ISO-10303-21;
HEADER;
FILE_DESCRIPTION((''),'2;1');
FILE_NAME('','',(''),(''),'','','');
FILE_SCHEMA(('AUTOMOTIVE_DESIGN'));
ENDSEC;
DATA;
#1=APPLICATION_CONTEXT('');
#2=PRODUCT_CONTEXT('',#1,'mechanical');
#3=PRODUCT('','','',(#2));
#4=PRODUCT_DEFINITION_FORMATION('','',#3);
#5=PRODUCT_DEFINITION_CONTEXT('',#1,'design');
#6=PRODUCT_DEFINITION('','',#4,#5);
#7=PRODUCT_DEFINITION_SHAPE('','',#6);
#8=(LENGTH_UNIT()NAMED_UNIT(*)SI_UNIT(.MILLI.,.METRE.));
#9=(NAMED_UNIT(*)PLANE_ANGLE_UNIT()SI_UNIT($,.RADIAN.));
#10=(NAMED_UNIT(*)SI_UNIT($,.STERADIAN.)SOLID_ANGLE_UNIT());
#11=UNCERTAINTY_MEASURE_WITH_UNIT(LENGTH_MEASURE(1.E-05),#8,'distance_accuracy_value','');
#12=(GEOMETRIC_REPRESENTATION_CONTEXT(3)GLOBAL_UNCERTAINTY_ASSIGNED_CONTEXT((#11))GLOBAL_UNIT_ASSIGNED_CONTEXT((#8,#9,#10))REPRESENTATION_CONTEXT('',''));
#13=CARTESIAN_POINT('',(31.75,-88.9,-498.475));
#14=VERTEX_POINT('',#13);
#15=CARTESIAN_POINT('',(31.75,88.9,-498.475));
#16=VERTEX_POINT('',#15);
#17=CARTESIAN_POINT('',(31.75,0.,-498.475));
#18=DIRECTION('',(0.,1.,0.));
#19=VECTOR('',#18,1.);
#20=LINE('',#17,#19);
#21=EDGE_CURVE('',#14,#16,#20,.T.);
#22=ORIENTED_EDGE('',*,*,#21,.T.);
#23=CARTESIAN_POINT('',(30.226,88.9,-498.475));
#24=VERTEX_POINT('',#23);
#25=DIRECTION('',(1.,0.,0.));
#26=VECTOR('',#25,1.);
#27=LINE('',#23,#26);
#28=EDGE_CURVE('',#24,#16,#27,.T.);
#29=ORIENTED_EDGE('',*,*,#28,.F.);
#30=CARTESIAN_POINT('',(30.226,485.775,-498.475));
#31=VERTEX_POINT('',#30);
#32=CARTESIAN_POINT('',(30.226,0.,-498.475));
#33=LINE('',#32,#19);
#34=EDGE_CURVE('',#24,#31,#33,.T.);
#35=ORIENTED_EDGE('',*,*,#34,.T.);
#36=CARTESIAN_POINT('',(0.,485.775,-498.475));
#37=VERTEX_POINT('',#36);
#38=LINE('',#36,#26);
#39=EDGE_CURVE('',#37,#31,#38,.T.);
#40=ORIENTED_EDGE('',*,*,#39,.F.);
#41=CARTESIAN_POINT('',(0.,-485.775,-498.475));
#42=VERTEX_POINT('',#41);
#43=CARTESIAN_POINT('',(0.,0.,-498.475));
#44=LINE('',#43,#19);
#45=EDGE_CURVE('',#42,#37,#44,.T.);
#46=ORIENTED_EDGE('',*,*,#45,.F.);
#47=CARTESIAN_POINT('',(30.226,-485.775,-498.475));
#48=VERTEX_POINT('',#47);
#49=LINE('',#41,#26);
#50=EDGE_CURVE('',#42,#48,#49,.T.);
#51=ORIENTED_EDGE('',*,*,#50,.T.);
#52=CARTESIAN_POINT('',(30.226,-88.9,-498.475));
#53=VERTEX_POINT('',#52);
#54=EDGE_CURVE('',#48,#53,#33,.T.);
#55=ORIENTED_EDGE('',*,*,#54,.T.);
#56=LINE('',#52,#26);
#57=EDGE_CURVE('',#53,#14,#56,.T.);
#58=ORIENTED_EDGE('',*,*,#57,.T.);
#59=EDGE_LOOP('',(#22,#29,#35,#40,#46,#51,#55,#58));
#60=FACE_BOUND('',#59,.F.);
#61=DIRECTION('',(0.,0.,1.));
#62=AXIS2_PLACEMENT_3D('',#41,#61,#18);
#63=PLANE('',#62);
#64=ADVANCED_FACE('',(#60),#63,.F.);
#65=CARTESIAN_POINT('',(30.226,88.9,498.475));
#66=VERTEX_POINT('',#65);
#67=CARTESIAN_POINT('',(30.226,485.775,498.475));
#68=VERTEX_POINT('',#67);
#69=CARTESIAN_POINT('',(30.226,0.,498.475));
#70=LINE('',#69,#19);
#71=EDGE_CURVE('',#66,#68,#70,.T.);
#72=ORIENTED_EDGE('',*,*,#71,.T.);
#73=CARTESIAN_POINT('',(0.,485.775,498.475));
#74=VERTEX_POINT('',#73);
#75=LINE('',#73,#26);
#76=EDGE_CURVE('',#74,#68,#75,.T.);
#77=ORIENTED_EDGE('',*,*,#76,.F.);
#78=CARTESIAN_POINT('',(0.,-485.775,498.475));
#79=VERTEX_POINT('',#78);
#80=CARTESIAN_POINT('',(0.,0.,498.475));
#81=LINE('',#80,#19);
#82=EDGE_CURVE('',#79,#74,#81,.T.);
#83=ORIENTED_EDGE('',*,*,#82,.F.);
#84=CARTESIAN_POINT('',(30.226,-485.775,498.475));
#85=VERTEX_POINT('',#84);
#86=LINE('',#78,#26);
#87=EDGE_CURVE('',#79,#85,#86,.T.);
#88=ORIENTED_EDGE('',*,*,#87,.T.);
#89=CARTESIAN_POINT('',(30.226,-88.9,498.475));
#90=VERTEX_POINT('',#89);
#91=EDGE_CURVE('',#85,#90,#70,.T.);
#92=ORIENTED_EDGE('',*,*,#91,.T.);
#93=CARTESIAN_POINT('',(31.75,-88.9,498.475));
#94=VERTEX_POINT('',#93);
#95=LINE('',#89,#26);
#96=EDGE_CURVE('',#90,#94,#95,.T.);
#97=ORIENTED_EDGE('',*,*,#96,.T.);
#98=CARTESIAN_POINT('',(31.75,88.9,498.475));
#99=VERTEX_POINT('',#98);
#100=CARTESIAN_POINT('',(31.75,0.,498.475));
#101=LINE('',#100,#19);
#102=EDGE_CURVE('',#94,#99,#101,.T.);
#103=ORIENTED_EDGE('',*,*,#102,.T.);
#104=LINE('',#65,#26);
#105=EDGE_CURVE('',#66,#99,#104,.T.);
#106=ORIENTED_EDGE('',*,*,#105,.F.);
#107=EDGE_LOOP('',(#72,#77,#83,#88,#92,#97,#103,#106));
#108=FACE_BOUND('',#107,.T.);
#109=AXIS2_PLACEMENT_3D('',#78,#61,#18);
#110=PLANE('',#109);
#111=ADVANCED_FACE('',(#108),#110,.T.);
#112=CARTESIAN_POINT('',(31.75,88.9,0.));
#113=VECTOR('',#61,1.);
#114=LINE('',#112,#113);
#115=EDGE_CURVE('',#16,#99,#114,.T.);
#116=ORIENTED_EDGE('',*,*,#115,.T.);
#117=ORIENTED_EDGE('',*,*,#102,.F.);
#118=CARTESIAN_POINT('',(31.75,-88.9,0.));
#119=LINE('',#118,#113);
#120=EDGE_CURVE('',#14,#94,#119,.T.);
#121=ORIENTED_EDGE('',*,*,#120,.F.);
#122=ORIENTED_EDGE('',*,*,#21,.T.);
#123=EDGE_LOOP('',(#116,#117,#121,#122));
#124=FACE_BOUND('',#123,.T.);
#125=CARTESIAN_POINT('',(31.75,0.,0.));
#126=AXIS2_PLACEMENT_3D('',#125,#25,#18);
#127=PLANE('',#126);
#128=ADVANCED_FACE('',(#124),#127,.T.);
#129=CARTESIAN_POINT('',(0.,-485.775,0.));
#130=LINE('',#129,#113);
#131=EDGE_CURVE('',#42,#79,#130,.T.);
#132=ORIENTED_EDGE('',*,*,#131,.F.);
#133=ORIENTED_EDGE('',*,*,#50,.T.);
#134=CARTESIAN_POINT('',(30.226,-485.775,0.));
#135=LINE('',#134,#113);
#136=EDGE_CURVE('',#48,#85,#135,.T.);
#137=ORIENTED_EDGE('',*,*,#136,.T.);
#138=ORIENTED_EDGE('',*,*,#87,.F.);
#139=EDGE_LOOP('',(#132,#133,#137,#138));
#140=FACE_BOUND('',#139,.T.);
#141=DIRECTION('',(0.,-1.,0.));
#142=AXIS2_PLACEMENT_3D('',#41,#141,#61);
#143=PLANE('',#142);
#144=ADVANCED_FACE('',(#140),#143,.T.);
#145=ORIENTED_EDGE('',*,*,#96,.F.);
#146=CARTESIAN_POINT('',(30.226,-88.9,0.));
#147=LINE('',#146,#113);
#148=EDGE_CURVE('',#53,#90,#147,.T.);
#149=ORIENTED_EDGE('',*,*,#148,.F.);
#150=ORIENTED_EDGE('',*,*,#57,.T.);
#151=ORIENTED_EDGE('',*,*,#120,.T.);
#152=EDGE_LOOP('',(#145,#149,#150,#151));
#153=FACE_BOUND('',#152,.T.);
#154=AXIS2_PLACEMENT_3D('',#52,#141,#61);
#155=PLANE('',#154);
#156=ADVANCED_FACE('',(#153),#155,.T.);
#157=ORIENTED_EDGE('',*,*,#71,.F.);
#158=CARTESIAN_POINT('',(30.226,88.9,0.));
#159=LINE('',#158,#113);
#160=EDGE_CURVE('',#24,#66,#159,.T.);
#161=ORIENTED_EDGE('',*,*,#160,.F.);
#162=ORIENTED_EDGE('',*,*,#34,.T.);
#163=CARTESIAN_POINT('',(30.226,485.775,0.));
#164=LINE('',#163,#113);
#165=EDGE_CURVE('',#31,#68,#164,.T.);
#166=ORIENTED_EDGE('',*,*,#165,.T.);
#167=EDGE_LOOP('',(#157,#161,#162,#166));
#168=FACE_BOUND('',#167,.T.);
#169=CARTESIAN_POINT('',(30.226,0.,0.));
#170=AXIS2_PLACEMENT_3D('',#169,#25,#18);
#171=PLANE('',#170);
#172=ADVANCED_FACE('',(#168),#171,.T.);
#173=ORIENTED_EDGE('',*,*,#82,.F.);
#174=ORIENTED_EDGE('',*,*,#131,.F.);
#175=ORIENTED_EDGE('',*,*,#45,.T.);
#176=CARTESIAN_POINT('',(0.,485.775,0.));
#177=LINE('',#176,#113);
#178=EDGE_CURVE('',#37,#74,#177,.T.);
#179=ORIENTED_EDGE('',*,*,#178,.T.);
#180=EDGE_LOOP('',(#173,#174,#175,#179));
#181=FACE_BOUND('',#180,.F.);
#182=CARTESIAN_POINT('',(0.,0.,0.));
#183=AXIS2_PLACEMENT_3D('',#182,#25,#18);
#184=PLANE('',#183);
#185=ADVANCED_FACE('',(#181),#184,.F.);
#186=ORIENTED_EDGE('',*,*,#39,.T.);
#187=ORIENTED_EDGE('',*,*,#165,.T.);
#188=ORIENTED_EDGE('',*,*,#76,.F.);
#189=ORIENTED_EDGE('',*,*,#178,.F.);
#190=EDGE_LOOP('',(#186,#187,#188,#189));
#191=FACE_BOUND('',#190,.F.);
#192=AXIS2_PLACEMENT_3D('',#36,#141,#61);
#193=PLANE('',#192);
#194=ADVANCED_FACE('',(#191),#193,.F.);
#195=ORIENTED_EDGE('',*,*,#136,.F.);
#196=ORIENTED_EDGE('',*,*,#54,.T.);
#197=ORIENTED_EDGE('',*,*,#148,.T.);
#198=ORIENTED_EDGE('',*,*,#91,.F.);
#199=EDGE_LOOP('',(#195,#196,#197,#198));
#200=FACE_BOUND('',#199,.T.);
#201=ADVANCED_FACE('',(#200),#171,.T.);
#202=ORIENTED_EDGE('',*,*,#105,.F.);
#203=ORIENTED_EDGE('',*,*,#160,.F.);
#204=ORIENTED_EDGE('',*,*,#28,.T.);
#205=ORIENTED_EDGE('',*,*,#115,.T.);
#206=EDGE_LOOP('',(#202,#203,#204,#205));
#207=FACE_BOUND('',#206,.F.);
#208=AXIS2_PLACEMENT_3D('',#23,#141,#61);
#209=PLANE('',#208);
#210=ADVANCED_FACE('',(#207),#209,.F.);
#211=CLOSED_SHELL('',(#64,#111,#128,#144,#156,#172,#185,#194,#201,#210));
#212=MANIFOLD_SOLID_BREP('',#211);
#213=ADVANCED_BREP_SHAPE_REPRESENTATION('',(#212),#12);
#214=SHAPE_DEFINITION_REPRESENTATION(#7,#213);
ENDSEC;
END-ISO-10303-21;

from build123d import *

# Parameters (mm, degrees)
F0_W     = 971.55
F0_H     = 996.95
F1_DEPTH = 30.226
F2_W     = 177.8
F2_H     = 996.95
F3_DEPTH = 1.524


with BuildPart() as f1:
    # F0 (on Right) → F1 (new body)
    with BuildSketch(Plane.YZ):
        Rectangle(F0_W, F0_H)
    extrude(amount=F1_DEPTH)

    # F2 (on face) → F3 (join)
    with BuildSketch(Plane.YZ.offset(30.226)):
        Rectangle(F2_W, F2_H)
    extrude(amount=F3_DEPTH)


solid = f1.part
